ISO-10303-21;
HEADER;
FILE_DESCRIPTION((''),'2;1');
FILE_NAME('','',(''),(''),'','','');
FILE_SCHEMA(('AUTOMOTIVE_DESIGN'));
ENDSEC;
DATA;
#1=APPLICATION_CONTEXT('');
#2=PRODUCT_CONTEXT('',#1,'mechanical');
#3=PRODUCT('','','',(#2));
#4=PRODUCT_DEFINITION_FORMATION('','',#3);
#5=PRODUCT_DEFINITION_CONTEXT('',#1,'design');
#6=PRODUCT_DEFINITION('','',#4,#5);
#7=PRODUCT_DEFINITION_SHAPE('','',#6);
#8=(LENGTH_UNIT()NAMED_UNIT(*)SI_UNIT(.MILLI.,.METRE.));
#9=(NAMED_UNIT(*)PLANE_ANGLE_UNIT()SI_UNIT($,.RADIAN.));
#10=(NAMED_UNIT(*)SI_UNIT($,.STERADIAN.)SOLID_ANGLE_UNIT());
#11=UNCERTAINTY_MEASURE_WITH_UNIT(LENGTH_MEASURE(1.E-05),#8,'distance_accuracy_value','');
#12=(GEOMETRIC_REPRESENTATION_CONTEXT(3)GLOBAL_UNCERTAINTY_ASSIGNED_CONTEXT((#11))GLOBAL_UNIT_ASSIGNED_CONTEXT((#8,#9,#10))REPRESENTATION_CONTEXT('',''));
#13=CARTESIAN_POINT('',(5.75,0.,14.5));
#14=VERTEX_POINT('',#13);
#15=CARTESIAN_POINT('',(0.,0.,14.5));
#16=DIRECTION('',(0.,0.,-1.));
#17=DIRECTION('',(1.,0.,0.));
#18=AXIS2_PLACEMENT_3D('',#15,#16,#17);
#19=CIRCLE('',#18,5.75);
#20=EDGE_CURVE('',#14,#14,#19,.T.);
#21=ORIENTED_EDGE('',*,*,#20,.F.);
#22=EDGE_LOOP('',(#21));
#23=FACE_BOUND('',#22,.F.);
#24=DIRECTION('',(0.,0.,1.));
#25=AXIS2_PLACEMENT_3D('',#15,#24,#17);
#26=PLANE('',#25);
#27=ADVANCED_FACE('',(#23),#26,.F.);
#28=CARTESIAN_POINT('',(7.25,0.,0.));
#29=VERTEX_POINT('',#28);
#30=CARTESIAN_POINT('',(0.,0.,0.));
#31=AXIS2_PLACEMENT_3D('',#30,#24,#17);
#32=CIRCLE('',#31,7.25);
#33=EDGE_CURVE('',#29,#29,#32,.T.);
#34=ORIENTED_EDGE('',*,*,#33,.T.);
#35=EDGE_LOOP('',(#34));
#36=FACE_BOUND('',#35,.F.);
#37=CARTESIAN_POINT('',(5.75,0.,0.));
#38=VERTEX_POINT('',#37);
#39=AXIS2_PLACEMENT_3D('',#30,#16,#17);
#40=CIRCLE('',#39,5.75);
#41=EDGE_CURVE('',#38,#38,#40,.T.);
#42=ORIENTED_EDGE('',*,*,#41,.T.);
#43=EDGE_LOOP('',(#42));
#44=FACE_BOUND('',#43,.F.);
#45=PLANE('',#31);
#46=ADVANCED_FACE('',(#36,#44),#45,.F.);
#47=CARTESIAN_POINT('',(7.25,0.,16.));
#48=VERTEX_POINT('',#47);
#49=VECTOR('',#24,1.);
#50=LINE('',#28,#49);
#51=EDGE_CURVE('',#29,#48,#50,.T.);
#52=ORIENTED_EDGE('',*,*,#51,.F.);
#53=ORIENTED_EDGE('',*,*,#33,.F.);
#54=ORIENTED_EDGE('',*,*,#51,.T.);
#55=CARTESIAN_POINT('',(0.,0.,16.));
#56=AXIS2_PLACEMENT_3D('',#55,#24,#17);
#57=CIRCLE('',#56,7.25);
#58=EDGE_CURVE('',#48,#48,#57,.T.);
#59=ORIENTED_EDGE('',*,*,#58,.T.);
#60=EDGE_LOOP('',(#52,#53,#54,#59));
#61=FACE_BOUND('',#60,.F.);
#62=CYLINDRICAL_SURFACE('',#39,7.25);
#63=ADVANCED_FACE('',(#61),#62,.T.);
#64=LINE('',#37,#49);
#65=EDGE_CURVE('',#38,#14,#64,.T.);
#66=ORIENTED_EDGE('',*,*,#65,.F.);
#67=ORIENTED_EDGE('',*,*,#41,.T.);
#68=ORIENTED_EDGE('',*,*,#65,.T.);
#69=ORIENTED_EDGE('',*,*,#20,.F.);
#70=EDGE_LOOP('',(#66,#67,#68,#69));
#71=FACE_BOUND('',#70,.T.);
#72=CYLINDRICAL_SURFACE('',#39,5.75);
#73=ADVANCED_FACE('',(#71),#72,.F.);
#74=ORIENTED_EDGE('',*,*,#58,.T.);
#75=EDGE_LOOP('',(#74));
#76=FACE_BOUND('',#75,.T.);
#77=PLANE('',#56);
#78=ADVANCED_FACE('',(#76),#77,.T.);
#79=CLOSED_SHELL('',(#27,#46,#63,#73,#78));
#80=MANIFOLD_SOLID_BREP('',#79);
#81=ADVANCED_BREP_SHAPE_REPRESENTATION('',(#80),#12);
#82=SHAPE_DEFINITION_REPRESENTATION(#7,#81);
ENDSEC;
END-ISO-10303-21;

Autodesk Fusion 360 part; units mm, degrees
sketch "Sketch1" plane through (0, 0, 0) normal (0, 0, 1) x (1, 0, 0)
  circle A0 centre (0, 0) radius 7.25
  dimension "d1" = 14.5
extrude "Extrude1" add sketch "Sketch1" along normal blind 16
shell "Shell1" thickness 1.5 removed faces 1 at (1.965, -0.3602, 0)
